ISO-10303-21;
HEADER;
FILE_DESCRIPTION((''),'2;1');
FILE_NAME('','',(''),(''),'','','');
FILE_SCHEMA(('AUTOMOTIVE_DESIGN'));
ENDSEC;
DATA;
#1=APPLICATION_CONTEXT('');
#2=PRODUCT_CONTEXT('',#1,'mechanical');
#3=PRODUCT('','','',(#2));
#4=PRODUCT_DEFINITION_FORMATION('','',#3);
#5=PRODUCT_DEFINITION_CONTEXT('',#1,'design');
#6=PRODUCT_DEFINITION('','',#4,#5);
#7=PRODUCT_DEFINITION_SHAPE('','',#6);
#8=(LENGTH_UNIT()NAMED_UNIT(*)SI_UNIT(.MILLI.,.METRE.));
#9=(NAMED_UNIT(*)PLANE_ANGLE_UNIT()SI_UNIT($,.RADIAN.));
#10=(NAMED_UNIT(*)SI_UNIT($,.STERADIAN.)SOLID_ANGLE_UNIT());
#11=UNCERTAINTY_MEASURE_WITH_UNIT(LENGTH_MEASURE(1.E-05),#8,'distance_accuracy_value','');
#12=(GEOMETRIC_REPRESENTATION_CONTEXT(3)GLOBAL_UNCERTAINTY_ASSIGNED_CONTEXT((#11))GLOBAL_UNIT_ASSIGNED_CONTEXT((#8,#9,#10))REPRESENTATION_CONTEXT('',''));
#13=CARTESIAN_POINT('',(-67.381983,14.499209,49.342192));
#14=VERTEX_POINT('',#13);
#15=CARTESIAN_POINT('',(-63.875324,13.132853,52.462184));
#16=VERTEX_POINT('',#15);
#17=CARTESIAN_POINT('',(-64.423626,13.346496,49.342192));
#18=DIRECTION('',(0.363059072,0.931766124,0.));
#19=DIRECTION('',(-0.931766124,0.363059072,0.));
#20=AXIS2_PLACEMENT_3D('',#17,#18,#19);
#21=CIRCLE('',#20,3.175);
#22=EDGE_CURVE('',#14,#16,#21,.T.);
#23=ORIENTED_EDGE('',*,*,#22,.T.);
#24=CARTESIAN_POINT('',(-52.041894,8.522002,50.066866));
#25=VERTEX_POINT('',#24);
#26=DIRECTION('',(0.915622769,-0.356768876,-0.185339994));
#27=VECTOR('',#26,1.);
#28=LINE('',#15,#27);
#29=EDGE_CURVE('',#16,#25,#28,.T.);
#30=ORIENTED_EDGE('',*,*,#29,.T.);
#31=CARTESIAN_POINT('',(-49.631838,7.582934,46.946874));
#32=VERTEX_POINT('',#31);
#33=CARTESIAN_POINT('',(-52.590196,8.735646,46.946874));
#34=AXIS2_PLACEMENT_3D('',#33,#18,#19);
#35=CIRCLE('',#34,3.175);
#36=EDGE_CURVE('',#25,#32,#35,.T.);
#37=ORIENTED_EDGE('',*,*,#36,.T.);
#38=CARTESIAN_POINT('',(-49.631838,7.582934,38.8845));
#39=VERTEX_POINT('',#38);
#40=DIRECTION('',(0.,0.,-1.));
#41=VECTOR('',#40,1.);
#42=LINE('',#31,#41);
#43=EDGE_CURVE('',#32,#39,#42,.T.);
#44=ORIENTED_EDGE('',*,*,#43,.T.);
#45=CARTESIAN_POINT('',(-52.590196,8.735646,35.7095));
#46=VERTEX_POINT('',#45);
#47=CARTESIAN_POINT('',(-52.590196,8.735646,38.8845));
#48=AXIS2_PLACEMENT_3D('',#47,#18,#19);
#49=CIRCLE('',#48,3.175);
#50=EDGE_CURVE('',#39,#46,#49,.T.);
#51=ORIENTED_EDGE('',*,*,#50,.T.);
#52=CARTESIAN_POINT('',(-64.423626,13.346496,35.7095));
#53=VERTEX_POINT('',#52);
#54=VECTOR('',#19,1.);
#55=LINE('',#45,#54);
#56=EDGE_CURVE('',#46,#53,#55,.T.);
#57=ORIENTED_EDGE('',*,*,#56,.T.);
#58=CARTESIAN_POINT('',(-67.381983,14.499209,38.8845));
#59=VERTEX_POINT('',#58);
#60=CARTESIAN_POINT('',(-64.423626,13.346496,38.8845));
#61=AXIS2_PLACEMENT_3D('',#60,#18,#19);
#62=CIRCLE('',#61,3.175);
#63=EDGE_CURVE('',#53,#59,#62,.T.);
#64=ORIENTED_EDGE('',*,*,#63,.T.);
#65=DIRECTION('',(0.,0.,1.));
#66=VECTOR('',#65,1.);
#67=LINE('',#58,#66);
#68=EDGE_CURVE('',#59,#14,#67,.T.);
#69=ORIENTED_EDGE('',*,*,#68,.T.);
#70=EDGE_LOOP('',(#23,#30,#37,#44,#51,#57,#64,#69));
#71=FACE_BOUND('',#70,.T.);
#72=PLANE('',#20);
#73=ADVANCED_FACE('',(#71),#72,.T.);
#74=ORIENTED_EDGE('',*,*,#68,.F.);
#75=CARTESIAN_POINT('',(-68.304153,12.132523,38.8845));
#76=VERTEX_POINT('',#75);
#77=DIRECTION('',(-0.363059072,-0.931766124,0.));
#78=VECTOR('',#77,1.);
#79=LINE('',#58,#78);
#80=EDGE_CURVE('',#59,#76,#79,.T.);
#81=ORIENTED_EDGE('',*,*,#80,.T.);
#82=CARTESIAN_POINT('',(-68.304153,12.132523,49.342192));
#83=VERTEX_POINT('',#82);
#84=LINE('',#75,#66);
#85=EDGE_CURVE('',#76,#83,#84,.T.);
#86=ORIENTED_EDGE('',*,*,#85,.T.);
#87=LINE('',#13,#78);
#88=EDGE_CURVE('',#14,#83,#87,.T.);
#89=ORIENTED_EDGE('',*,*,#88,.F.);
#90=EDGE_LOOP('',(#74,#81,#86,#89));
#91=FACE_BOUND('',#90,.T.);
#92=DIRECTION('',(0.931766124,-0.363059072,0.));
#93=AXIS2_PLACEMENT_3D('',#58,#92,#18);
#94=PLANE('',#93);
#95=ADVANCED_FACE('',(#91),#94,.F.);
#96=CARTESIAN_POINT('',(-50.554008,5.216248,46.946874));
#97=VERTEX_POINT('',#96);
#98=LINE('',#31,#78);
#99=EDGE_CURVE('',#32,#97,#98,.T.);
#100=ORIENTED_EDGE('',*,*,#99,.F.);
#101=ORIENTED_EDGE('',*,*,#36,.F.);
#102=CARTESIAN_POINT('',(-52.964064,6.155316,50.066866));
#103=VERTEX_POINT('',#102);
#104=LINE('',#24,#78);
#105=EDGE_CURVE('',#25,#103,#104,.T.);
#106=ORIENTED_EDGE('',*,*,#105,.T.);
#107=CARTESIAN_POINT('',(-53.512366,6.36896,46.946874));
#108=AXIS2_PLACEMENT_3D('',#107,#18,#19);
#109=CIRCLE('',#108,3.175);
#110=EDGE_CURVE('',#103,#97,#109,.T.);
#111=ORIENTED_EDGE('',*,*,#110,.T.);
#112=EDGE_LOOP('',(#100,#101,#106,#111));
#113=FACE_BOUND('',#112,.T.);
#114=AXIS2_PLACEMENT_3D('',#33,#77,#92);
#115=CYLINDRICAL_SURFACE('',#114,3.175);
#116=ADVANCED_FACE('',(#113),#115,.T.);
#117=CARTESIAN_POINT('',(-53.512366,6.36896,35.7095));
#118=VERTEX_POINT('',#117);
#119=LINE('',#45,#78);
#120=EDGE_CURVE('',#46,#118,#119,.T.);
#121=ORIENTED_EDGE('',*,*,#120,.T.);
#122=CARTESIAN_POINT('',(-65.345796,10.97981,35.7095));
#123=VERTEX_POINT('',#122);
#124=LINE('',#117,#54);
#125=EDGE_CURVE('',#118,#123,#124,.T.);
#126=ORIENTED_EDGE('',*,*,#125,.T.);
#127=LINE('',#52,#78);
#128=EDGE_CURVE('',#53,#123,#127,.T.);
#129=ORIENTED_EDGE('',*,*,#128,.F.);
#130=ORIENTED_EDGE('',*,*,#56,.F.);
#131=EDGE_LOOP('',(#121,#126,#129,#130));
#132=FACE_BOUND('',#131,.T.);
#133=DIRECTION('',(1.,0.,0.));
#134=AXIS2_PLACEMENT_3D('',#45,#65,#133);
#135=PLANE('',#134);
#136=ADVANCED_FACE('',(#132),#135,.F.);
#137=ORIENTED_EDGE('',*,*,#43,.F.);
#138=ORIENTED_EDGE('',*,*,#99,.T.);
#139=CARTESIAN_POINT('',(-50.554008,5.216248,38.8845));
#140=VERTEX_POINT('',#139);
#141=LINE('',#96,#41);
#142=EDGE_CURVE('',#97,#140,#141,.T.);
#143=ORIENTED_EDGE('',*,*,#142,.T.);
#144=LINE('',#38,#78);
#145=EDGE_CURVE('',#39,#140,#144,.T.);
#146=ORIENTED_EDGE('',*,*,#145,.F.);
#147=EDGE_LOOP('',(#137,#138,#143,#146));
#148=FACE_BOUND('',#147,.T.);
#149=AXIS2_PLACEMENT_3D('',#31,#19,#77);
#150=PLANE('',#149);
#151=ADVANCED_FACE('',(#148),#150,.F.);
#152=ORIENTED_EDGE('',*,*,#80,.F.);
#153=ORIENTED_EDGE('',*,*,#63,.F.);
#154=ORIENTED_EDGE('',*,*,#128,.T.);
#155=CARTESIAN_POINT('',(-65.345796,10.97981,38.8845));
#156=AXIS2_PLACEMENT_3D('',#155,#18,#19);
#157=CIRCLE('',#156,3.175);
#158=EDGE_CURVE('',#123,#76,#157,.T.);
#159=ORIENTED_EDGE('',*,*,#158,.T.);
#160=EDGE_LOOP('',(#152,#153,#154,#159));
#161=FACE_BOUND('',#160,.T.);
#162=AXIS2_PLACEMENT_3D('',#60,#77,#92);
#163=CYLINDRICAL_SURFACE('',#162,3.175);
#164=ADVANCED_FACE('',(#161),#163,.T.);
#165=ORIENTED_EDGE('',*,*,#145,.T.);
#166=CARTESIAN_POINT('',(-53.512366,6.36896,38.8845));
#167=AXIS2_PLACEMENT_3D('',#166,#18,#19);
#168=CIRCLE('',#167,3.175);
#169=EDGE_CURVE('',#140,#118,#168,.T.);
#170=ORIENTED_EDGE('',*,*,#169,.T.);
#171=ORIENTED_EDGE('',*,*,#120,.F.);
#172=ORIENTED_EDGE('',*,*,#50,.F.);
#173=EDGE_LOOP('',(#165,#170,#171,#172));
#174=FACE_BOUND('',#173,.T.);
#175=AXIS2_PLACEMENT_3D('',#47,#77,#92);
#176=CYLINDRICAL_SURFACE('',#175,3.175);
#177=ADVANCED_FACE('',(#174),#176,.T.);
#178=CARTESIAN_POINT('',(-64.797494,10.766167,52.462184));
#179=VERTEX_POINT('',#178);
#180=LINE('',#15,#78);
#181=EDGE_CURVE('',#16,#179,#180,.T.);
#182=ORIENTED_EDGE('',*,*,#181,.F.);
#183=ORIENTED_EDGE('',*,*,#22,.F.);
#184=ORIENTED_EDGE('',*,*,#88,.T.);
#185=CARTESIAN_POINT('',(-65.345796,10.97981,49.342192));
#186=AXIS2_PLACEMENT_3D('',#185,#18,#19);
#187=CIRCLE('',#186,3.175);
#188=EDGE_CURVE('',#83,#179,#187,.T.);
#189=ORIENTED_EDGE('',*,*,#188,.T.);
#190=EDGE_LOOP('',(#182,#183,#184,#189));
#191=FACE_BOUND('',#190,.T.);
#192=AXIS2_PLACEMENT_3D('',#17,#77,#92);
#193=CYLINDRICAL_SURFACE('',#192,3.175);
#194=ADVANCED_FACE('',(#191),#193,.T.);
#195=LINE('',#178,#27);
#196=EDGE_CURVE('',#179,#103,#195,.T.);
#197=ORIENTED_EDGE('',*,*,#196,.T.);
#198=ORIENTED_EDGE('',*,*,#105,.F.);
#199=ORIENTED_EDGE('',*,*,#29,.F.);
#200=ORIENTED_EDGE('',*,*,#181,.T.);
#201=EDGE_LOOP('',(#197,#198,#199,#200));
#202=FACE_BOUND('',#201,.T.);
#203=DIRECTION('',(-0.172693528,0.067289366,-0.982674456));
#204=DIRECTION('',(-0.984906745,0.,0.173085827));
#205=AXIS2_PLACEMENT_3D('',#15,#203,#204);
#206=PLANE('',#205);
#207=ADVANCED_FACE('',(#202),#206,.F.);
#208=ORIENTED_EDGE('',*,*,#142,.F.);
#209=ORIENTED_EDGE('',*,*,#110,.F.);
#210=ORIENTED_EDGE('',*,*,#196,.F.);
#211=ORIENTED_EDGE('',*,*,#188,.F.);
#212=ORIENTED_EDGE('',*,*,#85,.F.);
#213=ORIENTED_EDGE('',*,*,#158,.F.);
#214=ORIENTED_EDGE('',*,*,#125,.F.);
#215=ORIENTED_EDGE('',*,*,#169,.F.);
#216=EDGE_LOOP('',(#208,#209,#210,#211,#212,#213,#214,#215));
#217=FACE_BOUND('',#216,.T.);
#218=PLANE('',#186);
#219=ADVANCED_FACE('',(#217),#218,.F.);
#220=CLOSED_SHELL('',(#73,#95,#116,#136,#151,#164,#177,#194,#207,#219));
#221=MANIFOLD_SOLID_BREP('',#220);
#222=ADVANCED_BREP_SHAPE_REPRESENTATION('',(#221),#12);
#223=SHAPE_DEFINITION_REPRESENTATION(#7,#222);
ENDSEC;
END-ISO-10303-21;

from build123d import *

# Parameters (mm, degrees)
BOSS_EXTRUDE1_DEPTH = 2.54


with BuildPart() as part:
    # Sketch1 → Boss-Extrude1 (new body)
    with BuildSketch(Plane(origin=(-4.89903509, -12.573036438, 0), x_dir=(0.9317661243126444, -0.3630590717547129, 0), z_dir=(0.36305907175471297, 0.9317661243126445, 0))):
        with BuildLine():
            Line((-64.284864007, -52.462183887), (-51.584864007, -50.06686577))
            ThreePointArc((-51.584864007, -50.06686577), (-49.729042729, -48.973235892), (-48.998318488, -46.946874372))
            Line((-48.998318488, -46.946874372), (-48.998318488, -38.884500478))
            ThreePointArc((-48.998318488, -38.884500478), (-49.928254458, -36.639436448), (-52.173318488, -35.709500478))
            Line((-52.173318488, -35.709500478), (-64.873318488, -35.709500478))
            ThreePointArc((-64.873318488, -35.709500478), (-67.118382519, -36.639436448), (-68.048318488, -38.884500478))
            Line((-68.048318488, -38.884500478), (-68.048318488, -49.342192489))
            ThreePointArc((-68.048318488, -49.342192489), (-66.899680008, -51.786468249), (-64.284864007, -52.462183887))
        make_face()
    extrude(amount=BOSS_EXTRUDE1_DEPTH)


solid = part.part
